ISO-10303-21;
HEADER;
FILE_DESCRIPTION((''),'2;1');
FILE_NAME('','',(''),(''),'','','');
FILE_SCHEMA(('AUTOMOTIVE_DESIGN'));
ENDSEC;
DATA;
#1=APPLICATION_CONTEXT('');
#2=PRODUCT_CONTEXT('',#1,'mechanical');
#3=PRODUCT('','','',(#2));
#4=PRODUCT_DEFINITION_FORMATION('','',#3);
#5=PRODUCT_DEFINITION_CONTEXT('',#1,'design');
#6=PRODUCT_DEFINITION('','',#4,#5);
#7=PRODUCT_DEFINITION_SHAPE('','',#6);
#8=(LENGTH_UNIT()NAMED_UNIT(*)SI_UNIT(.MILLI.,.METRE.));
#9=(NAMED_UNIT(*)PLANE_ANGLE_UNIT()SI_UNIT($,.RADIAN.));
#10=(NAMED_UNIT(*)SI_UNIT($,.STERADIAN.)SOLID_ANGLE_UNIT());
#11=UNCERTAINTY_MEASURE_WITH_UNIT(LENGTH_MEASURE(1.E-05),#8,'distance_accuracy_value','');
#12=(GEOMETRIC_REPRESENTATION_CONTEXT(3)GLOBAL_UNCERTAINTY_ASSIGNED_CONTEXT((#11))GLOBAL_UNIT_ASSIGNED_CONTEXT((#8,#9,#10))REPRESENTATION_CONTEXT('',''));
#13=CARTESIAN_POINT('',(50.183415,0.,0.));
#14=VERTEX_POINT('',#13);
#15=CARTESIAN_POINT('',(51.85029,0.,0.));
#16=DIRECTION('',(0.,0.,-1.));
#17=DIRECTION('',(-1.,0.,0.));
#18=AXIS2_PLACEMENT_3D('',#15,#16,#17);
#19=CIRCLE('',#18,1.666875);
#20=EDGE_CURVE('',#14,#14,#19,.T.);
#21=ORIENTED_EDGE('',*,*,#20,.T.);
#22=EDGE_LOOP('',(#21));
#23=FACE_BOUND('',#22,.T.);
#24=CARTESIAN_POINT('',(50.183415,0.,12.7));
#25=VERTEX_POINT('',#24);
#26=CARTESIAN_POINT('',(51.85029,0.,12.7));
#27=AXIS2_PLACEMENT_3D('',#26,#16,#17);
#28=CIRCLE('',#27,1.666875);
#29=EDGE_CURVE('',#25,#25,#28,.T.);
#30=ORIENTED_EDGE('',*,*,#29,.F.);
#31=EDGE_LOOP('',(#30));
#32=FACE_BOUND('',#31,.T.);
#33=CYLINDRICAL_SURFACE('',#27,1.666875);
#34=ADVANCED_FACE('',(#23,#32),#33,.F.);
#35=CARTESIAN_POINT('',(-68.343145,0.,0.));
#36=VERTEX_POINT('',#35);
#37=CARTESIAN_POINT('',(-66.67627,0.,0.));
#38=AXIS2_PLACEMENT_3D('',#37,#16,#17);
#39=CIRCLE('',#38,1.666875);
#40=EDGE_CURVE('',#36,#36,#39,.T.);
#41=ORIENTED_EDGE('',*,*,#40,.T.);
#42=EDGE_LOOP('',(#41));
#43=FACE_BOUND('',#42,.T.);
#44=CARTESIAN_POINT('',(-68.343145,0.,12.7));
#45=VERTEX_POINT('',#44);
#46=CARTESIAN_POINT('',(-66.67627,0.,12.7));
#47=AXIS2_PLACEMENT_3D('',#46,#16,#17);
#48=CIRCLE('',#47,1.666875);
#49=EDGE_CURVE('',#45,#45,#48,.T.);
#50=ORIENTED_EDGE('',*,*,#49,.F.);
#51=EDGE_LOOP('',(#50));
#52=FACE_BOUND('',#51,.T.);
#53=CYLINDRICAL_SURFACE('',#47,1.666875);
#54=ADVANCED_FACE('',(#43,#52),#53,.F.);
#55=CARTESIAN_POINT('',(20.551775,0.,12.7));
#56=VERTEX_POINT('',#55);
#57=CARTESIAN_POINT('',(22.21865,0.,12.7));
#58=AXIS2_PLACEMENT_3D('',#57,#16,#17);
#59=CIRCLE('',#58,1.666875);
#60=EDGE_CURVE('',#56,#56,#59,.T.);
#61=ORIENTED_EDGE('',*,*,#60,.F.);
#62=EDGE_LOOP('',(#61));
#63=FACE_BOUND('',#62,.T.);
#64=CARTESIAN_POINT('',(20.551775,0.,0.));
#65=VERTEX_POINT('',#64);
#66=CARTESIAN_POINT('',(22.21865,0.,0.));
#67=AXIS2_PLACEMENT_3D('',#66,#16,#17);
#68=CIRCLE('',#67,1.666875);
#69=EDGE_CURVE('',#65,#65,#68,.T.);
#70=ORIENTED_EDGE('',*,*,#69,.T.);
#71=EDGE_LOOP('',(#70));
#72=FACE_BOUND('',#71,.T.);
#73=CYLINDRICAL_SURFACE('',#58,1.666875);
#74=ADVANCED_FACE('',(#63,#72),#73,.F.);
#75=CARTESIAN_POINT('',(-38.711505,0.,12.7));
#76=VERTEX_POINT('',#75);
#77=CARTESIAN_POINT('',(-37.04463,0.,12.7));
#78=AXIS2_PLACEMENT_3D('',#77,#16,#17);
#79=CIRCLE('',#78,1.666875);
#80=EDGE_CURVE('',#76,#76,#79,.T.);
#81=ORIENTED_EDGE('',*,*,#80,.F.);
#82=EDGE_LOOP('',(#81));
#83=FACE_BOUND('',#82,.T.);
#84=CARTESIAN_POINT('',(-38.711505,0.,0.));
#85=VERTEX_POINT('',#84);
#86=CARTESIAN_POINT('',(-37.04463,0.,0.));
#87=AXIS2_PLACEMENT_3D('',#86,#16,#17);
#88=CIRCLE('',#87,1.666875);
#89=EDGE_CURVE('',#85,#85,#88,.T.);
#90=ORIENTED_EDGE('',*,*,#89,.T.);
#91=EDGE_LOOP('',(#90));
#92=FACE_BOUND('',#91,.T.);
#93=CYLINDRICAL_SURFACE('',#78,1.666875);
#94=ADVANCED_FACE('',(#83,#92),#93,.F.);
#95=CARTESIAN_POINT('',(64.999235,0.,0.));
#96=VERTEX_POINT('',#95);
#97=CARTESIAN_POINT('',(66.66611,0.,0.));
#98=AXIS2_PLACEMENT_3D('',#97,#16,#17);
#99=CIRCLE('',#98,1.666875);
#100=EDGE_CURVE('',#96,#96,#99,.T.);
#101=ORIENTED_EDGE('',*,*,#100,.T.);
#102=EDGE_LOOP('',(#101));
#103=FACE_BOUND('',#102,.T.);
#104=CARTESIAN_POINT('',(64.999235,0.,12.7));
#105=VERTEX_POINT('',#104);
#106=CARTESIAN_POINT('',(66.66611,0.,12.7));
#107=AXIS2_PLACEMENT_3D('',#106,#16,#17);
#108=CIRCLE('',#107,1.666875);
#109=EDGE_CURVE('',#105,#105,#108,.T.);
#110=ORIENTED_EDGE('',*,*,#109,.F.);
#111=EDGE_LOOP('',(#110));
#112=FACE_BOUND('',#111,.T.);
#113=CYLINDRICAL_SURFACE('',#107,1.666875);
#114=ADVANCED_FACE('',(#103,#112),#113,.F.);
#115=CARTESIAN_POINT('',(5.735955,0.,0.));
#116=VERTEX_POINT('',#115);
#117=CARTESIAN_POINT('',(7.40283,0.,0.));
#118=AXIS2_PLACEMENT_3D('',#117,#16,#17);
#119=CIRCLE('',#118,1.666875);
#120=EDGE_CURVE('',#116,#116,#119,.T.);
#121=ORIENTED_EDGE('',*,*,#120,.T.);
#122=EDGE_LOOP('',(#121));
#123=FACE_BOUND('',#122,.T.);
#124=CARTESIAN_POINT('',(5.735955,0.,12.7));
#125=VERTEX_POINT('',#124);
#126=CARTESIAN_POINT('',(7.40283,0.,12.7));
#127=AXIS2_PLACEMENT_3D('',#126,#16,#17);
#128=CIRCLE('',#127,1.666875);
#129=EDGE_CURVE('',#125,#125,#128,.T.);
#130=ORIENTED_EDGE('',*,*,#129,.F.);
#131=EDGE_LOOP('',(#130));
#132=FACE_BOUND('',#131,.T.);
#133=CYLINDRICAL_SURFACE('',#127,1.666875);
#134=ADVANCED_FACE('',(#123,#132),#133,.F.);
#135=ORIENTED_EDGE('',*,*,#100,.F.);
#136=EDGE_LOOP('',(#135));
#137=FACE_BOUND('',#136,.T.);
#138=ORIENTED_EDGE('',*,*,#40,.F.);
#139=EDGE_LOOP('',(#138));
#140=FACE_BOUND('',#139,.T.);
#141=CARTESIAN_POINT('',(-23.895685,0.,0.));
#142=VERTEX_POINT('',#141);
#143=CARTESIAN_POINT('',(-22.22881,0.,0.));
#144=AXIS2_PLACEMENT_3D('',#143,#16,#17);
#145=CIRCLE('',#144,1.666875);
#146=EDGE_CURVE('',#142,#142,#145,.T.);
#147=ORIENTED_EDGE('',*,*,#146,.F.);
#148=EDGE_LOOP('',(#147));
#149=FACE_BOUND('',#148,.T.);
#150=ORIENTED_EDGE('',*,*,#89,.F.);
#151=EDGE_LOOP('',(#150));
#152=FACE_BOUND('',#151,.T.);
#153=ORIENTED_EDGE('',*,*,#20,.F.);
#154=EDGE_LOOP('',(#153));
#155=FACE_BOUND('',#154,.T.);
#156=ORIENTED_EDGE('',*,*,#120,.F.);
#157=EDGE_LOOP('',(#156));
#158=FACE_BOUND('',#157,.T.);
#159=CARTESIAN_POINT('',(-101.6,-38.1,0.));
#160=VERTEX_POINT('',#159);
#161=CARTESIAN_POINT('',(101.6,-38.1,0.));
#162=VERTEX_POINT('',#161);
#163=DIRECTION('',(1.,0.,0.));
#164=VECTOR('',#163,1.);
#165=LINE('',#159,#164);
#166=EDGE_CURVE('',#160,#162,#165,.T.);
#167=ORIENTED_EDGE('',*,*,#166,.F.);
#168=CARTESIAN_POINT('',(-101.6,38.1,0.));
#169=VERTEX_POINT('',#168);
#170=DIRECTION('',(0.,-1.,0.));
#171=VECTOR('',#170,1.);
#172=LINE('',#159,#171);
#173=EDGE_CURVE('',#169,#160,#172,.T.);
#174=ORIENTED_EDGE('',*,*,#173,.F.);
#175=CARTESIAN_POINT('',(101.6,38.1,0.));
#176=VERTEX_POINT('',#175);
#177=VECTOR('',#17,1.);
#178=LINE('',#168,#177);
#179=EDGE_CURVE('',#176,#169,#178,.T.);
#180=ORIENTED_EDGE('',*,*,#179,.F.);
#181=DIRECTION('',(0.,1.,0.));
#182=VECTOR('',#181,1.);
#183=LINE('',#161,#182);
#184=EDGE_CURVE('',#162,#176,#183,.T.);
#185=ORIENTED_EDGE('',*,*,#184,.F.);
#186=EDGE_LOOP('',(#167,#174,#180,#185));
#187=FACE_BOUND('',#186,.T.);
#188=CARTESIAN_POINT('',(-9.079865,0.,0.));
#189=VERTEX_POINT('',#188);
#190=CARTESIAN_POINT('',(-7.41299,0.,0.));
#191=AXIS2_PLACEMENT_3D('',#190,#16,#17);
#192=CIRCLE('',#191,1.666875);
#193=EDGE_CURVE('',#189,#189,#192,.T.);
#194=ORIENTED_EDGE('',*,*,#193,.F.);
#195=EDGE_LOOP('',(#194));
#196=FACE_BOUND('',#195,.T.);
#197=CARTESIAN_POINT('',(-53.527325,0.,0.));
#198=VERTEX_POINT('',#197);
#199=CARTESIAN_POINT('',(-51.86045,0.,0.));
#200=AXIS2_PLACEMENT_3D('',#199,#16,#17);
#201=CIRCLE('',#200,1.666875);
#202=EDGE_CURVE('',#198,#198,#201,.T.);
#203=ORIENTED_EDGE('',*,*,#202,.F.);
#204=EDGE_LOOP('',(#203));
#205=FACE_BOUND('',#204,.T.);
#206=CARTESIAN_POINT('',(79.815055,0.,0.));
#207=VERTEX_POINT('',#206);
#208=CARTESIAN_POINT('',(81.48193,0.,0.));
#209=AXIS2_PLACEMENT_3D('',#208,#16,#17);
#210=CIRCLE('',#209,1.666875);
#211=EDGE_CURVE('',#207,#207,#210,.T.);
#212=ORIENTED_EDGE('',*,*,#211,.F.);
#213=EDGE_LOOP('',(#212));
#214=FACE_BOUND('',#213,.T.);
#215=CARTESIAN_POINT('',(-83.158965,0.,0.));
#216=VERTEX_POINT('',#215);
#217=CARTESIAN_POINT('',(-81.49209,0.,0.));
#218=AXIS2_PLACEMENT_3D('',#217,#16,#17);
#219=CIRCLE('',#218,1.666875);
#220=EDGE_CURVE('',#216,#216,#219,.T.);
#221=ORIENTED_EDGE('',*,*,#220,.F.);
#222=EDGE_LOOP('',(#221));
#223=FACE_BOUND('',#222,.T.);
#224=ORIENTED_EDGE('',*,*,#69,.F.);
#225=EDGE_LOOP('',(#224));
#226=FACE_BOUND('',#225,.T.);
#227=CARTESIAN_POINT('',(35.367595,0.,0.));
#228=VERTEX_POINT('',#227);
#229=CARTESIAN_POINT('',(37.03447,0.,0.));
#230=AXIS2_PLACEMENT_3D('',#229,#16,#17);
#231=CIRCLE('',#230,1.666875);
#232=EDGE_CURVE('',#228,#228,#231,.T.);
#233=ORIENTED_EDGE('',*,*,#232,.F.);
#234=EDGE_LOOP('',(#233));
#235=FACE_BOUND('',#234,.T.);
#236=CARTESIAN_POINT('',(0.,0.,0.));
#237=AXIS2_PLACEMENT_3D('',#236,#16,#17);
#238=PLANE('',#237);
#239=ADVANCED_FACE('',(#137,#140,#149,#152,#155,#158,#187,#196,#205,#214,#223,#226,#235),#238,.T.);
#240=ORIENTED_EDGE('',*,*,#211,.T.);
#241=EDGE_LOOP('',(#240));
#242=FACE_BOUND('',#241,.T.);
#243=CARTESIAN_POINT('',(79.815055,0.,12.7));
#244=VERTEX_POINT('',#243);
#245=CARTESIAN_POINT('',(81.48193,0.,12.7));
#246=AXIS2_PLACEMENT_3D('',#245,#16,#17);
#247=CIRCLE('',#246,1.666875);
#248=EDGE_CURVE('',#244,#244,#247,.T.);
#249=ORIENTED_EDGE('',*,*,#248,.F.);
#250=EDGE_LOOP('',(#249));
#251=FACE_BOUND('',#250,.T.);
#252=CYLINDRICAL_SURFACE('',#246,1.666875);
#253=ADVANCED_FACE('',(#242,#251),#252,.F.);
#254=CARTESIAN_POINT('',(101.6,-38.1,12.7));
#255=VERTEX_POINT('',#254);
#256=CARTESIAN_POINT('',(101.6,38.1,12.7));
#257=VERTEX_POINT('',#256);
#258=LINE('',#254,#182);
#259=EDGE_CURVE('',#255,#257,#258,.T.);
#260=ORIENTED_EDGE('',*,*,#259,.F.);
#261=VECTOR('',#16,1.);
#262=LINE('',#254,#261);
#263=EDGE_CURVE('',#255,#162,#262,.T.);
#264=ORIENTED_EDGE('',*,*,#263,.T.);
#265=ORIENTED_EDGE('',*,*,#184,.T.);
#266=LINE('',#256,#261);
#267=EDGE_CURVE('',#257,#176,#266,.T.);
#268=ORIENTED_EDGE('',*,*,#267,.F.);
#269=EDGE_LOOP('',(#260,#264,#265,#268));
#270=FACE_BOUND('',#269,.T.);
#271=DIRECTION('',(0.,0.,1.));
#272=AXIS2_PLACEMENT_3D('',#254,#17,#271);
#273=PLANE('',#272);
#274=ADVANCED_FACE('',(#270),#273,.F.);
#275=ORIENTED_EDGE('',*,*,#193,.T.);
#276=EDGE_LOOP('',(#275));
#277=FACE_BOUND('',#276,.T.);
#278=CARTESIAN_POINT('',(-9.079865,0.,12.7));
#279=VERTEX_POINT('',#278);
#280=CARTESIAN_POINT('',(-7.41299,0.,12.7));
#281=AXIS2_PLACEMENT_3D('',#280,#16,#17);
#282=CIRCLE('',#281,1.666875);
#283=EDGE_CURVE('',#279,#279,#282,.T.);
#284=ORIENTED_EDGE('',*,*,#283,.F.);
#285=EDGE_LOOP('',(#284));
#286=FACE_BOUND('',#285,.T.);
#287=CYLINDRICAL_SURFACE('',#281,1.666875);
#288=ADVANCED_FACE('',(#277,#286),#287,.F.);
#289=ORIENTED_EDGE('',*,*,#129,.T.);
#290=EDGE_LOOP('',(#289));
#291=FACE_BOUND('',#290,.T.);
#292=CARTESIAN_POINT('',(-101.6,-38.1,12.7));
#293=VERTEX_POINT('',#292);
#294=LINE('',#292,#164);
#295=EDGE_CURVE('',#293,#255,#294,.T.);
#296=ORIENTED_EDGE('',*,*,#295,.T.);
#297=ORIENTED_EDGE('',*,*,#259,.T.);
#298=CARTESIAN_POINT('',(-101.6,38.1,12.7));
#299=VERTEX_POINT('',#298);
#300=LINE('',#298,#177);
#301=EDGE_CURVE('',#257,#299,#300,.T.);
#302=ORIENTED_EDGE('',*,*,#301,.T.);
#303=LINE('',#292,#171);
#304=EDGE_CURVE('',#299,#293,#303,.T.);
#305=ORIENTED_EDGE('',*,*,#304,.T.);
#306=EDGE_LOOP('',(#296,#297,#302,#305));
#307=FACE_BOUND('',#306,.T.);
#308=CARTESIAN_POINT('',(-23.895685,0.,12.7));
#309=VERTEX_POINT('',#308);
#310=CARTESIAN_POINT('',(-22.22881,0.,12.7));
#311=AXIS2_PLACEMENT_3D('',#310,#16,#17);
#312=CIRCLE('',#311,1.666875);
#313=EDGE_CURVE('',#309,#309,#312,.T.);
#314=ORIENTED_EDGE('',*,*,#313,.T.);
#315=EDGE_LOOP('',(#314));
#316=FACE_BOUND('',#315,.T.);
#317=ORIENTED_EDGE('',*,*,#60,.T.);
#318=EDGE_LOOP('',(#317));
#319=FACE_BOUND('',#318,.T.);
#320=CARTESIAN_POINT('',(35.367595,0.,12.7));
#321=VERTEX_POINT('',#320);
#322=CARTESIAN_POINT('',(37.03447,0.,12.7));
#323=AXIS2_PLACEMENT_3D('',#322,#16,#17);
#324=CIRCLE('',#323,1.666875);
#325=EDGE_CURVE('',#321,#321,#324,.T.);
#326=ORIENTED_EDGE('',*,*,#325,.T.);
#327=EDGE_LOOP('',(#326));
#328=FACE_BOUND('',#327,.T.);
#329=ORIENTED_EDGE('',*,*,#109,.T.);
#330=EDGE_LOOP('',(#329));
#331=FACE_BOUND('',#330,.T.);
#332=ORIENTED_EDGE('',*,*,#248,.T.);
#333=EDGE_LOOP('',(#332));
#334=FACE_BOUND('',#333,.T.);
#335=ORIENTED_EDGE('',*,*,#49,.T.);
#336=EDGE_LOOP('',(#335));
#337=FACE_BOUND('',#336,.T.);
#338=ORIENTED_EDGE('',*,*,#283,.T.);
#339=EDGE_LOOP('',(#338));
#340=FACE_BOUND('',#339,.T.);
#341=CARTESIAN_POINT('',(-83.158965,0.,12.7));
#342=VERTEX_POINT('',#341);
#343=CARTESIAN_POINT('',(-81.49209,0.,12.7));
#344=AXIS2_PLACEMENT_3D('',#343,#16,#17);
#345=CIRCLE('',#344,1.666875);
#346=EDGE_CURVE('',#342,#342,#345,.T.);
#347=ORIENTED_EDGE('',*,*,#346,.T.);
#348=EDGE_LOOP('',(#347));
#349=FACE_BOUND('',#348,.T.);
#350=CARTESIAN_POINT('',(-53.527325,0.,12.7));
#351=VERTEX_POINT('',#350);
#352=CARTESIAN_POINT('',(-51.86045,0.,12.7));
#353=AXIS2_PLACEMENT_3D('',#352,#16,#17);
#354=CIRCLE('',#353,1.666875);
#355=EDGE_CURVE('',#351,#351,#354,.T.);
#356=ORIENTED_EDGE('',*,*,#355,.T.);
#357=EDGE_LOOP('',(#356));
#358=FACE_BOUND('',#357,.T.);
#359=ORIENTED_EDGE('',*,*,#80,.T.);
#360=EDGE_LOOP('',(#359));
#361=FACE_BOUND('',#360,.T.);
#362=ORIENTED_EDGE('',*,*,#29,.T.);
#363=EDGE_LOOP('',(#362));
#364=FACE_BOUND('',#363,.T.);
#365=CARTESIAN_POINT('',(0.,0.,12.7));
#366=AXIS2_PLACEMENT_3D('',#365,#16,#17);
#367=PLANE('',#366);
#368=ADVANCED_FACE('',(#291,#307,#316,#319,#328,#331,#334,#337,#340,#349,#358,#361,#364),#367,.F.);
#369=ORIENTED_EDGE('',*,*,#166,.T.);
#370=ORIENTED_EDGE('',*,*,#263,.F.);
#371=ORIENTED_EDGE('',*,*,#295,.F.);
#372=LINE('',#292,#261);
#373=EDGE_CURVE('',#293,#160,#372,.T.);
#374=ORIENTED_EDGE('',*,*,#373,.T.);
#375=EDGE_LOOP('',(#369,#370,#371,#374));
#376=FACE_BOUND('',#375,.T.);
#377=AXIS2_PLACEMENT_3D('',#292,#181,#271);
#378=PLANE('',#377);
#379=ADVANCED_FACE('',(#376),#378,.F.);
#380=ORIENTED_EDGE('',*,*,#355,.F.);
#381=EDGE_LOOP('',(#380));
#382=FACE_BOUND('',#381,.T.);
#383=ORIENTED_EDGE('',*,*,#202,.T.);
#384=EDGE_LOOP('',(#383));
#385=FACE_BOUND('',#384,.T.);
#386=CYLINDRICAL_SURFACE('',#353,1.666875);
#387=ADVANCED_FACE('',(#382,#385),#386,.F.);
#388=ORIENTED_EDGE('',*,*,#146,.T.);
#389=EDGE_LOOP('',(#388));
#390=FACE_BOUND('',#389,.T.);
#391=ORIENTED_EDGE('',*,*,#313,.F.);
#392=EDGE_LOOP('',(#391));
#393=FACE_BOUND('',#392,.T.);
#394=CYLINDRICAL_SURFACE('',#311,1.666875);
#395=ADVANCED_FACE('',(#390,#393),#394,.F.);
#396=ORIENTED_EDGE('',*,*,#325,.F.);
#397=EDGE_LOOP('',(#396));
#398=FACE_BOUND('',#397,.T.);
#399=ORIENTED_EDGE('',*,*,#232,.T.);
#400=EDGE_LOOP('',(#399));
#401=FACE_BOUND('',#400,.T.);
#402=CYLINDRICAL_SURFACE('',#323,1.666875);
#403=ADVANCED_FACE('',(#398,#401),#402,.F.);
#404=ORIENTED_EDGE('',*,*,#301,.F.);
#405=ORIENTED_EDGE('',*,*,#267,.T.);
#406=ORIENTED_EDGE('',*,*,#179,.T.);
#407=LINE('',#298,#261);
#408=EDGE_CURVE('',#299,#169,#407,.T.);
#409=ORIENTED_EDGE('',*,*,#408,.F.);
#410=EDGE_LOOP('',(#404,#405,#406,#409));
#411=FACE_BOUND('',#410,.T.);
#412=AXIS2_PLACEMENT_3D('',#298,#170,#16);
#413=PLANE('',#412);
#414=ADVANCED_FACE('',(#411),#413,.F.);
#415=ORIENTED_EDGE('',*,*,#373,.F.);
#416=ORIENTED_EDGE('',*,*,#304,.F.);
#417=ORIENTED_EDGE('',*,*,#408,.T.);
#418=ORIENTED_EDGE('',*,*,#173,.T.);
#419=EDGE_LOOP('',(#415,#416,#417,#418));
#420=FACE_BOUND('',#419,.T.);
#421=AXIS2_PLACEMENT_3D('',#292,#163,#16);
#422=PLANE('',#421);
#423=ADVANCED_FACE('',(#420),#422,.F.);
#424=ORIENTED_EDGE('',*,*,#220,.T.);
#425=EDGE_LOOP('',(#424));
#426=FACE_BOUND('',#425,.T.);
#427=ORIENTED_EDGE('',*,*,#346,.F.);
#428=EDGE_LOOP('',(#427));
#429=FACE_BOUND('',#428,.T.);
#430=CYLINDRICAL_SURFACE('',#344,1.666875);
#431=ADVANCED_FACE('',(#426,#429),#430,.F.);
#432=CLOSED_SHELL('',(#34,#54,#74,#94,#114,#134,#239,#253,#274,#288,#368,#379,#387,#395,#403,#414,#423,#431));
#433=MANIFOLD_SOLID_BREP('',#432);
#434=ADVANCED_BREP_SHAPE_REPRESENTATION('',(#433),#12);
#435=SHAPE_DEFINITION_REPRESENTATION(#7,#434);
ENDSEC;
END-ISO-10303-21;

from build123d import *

# Parameters (mm, degrees)
ESQUISSE1_W             = 203.2
ESQUISSE1_H             = 76.2
BOSS_EXTRU_1_DEPTH      = 12.7
ESQUISSE2_R             = 1.666875
ENL_V_MAT_EXTRU_1_DEPTH = 110.249530891


with BuildPart() as part:
    # Esquisse1 → Boss.-Extru.1 (new body)
    with BuildSketch(Plane.XY):
        Rectangle(ESQUISSE1_W, ESQUISSE1_H)
    extrude(amount=BOSS_EXTRU_1_DEPTH)

    # Esquisse2 → Enlèv. mat.-Extru.1 (cut, through all)
    with BuildSketch(Plane(origin=(0, 0, 0), x_dir=(-1, 0, 0), z_dir=(0, 0, -1))):
        with Locations((81.49209, 0)):
            Circle(ESQUISSE2_R)
        with Locations((66.67627, 0)):
            Circle(ESQUISSE2_R)
        with Locations((51.86045, 0)):
            Circle(ESQUISSE2_R)
        with Locations((37.04463, 0)):
            Circle(ESQUISSE2_R)
        with Locations((22.22881, 0)):
            Circle(ESQUISSE2_R)
        with Locations((7.41299, 0)):
            Circle(ESQUISSE2_R)
        with Locations((-7.40283, 0)):
            Circle(ESQUISSE2_R)
        with Locations((-22.21865, 0)):
            Circle(ESQUISSE2_R)
        with Locations((-37.03447, 0)):
            Circle(ESQUISSE2_R)
        with Locations((-51.85029, 0)):
            Circle(ESQUISSE2_R)
        with Locations((-66.66611, 0)):
            Circle(ESQUISSE2_R)
        with Locations((-81.48193, 0)):
            Circle(ESQUISSE2_R)
    extrude(amount=-ENL_V_MAT_EXTRU_1_DEPTH, mode=Mode.SUBTRACT)


solid = part.part
